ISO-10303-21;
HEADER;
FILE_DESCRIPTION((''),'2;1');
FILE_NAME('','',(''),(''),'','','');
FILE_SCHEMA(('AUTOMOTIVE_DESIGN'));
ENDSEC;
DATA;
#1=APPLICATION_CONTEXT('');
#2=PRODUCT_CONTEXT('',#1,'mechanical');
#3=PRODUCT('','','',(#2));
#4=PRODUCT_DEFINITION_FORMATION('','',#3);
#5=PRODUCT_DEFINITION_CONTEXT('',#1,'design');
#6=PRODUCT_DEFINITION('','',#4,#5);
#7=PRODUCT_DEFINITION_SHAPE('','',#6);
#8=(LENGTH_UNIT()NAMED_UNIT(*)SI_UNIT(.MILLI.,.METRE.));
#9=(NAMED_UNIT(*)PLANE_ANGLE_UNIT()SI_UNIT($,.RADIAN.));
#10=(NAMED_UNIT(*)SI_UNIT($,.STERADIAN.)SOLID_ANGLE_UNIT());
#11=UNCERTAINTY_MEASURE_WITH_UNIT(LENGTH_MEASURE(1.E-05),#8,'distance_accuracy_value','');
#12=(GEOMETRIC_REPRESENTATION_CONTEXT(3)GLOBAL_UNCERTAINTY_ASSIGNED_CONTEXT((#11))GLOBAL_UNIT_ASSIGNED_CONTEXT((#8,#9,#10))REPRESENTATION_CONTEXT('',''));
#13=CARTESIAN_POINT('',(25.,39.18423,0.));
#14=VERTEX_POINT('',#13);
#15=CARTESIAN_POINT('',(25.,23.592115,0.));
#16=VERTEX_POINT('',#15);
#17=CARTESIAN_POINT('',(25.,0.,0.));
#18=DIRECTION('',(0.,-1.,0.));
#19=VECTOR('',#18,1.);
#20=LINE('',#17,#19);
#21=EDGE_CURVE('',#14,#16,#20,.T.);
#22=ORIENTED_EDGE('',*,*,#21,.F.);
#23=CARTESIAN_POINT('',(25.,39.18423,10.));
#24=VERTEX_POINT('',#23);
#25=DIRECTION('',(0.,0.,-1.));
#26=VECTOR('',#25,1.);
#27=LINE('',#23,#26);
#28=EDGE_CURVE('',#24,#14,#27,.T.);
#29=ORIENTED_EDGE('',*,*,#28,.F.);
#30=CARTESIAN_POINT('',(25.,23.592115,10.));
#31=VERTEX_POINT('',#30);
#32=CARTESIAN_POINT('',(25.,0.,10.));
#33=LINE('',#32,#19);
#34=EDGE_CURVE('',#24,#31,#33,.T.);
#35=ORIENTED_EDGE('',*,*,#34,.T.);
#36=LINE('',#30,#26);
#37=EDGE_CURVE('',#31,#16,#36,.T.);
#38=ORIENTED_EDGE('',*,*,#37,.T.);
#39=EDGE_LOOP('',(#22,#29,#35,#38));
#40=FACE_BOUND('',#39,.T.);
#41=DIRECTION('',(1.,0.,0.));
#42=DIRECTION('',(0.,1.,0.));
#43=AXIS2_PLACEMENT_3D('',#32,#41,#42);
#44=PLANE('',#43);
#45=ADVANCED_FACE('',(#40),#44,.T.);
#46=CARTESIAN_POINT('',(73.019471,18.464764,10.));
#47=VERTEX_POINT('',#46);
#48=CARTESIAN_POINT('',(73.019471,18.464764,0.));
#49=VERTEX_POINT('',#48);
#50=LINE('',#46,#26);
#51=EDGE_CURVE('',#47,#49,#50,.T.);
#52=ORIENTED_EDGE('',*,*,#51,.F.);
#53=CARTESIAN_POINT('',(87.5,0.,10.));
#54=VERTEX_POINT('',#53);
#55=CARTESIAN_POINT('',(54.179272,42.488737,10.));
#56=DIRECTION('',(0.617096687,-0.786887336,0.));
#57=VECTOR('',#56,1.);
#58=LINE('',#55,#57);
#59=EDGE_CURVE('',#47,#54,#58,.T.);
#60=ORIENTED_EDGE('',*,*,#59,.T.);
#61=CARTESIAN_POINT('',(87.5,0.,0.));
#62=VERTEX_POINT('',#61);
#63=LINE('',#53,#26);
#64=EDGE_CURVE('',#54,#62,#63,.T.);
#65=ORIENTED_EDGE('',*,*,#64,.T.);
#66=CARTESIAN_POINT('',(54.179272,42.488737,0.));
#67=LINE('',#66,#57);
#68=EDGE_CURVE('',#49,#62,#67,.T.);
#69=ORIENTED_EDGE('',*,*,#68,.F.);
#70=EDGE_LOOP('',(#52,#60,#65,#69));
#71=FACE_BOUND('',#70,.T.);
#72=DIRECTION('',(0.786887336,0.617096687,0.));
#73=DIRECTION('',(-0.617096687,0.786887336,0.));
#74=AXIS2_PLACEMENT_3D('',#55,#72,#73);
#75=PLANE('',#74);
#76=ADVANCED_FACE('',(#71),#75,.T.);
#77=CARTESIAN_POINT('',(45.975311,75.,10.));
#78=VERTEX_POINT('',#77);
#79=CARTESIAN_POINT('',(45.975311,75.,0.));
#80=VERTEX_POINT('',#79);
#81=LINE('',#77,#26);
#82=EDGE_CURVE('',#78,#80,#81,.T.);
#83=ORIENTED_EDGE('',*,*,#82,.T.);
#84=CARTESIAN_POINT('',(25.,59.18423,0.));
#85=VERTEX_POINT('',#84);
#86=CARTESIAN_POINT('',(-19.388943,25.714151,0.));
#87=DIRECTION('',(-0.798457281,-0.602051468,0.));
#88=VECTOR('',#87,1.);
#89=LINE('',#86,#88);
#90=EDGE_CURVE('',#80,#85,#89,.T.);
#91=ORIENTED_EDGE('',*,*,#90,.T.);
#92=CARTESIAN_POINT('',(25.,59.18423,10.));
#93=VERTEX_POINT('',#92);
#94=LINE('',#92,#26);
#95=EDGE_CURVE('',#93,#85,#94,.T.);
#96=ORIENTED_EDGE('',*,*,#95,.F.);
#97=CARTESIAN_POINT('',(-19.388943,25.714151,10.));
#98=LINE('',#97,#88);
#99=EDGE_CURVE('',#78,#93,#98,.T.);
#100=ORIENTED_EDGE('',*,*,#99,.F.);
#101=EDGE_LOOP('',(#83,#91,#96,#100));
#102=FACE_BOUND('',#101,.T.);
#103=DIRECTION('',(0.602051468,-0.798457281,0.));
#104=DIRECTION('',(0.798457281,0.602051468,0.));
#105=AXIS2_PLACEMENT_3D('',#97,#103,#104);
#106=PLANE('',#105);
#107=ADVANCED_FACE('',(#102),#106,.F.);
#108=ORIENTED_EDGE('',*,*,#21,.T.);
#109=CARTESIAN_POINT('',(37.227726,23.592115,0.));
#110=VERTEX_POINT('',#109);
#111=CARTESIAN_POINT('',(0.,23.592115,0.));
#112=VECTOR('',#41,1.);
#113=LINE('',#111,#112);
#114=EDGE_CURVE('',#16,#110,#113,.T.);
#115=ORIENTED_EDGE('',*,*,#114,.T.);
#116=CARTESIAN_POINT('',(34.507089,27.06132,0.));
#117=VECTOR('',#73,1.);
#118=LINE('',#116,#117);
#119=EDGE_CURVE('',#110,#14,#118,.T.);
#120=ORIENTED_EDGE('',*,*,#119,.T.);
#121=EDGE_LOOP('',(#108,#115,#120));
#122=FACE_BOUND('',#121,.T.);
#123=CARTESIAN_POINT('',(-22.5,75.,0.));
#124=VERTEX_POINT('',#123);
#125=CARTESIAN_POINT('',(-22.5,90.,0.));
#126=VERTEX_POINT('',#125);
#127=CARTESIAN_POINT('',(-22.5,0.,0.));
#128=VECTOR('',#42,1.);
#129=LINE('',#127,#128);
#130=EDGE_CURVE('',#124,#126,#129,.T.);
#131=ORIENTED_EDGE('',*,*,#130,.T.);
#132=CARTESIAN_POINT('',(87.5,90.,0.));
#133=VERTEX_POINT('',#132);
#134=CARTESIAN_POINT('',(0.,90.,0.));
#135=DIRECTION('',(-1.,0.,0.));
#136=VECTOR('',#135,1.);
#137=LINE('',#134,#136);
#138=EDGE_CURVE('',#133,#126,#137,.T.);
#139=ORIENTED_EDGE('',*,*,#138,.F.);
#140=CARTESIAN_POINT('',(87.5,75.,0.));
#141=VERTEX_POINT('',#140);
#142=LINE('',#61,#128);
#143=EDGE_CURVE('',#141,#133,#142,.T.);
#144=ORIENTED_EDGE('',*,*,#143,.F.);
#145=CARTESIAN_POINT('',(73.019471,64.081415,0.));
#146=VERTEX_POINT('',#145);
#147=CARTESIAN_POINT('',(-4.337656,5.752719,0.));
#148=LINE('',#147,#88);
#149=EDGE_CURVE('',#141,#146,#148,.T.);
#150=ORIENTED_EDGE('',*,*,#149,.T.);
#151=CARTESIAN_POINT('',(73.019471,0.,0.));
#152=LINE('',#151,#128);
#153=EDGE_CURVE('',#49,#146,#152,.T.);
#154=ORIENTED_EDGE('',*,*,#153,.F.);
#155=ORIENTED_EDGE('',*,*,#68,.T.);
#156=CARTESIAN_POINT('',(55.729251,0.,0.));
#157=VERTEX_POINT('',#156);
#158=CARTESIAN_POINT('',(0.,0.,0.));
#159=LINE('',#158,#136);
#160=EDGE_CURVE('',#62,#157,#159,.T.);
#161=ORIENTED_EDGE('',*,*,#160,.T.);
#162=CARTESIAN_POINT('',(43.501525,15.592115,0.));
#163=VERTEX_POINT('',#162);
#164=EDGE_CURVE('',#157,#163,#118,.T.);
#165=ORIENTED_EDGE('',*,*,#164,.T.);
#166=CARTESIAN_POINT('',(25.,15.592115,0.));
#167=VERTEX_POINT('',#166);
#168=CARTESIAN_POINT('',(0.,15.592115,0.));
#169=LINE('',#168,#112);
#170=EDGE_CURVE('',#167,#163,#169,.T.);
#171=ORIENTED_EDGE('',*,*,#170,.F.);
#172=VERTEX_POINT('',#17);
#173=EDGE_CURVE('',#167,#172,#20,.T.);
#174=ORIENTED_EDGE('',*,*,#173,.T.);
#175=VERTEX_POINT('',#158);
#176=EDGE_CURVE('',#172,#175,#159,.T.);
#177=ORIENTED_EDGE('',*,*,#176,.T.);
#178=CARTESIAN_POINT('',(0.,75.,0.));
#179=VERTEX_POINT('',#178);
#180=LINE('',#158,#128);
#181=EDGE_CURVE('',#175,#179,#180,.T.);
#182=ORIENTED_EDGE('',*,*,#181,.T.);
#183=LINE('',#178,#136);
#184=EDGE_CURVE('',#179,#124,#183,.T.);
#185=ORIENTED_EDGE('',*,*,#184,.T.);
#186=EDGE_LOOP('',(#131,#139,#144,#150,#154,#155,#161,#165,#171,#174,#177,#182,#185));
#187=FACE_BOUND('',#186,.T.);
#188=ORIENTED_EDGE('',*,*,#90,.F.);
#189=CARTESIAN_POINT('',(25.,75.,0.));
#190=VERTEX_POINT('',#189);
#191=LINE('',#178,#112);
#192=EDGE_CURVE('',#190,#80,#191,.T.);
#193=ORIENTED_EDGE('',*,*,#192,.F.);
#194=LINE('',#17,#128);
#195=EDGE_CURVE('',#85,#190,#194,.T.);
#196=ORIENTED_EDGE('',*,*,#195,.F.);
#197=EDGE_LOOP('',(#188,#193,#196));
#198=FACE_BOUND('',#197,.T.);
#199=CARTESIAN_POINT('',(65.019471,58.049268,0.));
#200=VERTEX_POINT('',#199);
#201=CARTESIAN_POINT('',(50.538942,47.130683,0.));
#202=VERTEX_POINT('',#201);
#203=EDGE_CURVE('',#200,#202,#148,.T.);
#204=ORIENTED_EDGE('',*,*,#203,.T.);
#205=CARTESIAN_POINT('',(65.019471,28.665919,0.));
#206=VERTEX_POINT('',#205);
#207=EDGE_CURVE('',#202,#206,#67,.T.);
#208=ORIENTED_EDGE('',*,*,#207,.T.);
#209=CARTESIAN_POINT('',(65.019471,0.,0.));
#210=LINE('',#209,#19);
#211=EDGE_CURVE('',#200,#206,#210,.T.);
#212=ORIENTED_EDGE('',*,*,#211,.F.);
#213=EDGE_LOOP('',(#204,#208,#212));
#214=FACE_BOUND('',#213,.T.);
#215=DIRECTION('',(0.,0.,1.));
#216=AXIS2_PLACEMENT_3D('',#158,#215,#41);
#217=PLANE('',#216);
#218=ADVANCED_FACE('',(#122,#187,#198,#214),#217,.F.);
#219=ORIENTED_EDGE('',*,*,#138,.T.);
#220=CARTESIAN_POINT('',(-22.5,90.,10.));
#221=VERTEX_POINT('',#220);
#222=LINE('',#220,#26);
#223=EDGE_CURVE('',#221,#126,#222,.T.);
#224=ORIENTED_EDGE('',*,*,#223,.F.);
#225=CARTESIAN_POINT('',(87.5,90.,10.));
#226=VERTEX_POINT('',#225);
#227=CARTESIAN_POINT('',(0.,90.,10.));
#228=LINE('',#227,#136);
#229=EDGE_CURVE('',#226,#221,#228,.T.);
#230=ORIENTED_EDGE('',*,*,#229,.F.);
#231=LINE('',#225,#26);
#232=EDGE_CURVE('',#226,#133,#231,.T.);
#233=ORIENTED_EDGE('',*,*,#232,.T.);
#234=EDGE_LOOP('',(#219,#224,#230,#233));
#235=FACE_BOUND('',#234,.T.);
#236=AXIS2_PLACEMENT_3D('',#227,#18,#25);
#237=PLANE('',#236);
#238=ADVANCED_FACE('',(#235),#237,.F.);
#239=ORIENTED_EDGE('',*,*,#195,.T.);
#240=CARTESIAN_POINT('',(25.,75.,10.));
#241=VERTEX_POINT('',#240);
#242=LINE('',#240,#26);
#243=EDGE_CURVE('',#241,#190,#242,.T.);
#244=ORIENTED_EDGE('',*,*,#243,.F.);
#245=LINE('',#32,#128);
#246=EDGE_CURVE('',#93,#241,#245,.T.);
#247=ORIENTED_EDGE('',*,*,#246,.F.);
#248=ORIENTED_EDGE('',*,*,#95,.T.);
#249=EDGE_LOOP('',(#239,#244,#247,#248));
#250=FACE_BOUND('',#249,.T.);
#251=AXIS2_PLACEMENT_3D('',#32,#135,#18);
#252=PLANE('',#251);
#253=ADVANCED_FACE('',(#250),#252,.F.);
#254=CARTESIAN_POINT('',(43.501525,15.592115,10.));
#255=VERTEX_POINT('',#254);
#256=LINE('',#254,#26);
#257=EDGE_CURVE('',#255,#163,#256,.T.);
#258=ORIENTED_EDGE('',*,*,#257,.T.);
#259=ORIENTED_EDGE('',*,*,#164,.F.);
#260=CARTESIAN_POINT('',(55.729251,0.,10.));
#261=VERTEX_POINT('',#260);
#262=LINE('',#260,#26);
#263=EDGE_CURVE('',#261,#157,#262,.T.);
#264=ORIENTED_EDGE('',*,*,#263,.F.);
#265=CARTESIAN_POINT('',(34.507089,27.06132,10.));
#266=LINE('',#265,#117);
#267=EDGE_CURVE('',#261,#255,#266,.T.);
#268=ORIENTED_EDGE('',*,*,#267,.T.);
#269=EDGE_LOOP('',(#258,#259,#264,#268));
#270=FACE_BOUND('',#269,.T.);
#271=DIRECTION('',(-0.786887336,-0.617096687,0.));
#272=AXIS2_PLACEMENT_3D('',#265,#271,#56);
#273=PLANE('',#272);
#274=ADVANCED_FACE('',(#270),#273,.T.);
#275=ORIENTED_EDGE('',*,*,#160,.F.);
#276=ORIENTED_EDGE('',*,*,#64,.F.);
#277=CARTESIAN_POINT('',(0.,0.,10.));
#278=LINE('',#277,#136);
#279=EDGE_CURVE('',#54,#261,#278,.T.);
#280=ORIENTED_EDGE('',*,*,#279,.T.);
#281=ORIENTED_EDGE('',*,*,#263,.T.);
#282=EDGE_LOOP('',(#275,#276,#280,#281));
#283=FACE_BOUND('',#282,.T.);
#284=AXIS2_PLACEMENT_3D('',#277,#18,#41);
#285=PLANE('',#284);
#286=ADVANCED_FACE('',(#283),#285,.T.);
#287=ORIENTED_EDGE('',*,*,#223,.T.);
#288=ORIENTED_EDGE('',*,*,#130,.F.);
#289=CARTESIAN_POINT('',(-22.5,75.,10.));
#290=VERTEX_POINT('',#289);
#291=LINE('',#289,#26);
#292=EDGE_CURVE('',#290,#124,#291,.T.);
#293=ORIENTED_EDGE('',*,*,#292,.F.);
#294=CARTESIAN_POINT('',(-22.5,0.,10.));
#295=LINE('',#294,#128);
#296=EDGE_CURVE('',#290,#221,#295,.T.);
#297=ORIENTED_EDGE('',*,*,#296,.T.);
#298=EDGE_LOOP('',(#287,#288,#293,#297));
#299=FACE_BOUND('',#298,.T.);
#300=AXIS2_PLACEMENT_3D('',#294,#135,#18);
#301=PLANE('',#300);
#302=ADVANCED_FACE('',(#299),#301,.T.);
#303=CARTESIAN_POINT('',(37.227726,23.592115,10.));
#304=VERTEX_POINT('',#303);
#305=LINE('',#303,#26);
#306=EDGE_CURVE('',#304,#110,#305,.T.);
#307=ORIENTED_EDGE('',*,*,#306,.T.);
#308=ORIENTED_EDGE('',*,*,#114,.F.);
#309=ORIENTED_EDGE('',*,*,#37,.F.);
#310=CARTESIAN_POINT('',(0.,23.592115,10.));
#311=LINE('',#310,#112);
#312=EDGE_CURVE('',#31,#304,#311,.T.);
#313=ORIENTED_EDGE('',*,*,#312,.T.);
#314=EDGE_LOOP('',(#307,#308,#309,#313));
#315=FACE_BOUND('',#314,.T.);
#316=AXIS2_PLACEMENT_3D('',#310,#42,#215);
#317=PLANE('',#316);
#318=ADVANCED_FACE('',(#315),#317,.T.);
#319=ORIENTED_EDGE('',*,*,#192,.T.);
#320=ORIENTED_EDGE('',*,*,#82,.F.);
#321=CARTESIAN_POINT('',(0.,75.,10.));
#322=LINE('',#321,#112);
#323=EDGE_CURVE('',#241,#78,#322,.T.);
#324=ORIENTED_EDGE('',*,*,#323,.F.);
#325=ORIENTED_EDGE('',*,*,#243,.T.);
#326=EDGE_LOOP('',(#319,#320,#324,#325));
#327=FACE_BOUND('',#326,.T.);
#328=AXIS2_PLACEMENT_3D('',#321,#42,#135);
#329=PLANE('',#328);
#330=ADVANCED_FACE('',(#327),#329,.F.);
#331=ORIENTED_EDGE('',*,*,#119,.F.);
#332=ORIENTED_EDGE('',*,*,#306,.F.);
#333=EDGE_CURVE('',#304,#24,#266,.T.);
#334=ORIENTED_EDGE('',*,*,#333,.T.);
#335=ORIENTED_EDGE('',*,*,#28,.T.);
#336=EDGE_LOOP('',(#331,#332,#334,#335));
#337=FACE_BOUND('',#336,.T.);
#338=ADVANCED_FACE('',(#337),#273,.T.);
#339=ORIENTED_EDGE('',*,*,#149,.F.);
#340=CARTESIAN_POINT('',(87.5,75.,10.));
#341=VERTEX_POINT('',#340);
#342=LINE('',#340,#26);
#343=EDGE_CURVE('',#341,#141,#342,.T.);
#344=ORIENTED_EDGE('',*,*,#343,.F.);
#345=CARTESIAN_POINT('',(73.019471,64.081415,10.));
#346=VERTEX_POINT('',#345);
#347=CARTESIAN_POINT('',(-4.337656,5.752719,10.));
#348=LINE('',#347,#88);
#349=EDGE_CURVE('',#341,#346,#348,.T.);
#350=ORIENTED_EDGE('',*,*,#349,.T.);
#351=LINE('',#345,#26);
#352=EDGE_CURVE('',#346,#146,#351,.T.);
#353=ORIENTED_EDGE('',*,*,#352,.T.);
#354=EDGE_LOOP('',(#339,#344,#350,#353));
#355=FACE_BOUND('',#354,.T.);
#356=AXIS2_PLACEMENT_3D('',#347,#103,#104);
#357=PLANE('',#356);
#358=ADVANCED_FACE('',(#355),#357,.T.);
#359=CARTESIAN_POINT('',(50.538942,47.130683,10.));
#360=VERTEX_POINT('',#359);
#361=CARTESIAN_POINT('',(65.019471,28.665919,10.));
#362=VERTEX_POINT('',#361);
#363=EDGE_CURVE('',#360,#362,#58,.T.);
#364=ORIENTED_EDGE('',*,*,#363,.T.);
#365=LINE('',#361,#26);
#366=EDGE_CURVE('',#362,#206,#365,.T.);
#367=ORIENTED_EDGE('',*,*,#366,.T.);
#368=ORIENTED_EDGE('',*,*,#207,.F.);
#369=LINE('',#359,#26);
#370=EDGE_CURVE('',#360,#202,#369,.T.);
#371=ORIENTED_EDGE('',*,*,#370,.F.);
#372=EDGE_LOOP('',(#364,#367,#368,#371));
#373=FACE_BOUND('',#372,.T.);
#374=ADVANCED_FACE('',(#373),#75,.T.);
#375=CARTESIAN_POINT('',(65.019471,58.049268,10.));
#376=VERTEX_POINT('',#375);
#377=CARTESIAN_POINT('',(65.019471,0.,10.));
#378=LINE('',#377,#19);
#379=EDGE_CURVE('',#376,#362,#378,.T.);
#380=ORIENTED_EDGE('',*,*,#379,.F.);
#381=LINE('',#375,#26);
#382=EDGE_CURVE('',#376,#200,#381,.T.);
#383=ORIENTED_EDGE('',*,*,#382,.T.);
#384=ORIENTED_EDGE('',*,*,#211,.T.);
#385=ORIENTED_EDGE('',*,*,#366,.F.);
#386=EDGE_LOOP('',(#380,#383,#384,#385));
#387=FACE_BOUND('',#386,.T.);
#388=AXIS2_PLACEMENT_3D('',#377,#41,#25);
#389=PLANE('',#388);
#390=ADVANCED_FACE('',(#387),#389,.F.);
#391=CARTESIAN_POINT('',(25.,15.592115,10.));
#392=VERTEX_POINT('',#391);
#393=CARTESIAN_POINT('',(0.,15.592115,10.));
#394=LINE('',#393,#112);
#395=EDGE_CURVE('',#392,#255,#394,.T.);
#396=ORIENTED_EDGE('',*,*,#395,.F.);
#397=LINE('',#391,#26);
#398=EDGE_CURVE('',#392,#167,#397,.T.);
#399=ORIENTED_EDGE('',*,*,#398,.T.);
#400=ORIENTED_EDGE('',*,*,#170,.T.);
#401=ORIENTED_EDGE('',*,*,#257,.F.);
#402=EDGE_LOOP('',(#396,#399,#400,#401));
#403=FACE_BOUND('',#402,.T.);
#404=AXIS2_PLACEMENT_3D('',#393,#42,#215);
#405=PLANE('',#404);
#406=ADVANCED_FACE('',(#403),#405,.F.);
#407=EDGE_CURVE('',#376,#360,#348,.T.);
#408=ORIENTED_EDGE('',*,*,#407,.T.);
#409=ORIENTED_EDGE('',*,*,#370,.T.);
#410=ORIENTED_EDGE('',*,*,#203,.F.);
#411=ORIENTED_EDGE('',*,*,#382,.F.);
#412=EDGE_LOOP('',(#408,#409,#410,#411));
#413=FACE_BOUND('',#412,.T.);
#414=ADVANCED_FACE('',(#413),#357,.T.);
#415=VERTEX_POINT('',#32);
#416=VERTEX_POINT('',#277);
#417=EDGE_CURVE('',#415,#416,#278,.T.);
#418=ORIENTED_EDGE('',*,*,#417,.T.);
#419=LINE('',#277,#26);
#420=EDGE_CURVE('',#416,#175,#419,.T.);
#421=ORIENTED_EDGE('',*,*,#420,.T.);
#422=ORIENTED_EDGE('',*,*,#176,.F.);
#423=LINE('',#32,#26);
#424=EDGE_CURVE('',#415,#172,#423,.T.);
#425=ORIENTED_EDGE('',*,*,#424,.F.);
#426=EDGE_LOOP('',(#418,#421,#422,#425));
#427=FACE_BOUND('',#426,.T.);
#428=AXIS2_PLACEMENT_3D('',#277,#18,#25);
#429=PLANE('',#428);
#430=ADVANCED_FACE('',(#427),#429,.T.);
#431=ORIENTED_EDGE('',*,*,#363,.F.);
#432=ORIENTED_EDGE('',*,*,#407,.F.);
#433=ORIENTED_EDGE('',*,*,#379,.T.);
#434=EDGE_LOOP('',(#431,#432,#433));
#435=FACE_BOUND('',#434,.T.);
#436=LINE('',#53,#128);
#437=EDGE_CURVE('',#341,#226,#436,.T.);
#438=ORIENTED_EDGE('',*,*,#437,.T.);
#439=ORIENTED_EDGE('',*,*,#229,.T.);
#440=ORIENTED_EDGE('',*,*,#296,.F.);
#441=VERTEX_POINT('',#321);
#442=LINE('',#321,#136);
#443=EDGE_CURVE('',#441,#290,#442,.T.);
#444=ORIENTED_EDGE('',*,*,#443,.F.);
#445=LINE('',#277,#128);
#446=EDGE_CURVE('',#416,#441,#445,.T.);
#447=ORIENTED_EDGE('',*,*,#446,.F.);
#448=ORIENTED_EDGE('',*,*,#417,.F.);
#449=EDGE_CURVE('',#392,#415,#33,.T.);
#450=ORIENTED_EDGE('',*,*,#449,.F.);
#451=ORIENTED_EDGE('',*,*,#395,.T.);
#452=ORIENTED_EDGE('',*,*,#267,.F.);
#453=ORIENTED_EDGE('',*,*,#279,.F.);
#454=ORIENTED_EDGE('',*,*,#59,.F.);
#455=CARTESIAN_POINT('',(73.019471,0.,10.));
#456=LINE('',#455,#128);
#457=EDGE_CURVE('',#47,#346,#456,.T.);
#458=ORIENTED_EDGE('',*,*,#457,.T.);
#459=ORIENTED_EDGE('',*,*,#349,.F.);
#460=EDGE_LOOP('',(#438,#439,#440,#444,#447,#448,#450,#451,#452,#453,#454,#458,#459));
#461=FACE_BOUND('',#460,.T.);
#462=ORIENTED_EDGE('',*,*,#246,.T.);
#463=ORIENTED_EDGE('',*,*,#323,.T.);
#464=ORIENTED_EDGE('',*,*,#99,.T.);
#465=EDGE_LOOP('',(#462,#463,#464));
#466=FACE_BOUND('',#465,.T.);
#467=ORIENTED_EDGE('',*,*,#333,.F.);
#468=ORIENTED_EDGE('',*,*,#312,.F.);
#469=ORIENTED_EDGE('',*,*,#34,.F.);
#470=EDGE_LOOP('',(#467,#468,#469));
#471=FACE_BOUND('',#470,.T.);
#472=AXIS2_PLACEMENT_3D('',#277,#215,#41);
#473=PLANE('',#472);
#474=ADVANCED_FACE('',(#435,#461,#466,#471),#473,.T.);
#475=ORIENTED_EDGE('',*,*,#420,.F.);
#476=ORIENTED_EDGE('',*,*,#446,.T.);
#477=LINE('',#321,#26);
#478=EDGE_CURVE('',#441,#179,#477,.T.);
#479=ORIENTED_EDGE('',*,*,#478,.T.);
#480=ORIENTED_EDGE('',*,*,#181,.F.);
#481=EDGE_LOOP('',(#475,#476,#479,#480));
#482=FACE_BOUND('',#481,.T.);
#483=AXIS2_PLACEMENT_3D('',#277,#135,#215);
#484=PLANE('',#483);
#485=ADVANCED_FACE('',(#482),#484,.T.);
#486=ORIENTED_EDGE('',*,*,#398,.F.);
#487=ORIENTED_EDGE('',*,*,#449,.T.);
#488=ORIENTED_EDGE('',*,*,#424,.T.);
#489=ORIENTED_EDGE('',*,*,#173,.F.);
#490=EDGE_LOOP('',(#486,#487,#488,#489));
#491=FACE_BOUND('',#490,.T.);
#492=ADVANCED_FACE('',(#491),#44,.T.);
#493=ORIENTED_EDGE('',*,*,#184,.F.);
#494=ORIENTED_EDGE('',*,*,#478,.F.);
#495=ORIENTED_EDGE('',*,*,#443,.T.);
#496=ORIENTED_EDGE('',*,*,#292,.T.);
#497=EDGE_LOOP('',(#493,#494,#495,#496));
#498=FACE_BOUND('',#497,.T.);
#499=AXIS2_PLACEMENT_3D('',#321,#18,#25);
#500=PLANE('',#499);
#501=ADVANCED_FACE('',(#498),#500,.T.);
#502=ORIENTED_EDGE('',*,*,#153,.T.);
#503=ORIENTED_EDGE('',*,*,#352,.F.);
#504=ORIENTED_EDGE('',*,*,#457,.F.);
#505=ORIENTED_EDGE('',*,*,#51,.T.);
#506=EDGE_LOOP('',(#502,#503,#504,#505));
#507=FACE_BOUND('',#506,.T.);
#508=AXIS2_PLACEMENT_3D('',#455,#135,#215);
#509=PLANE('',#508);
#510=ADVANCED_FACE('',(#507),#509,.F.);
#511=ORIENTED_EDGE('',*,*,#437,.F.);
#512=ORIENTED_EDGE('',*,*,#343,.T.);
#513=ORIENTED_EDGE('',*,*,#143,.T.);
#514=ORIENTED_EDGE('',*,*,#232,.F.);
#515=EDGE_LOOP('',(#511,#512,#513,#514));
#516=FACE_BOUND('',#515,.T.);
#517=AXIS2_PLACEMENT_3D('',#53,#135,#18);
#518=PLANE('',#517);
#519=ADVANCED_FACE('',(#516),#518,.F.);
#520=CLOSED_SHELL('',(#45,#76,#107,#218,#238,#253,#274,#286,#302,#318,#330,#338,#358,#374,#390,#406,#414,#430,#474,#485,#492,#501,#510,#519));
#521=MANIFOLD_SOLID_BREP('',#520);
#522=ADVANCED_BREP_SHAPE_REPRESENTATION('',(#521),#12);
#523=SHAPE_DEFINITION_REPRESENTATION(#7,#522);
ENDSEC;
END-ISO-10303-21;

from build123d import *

# Parameters (mm, degrees)
BOSS_EXTRUDE1_DEPTH = 10


with BuildPart() as part:
    # Sketch1 → Boss-Extrude1 (new body)
    # profile 1 of 3: a face of its own
    with BuildSketch(Plane.XY):
        Polygon((87.5, 75), (87.5, 90), (-22.5, 90), (-22.5, 75), (0, 75), (0, 0), (25, 0), (25, 39.184229931), (55.729251038, 0), (87.5, 0), (50.538942191, 47.130682941), align=None)
        Polygon((45.975310969, 75), (25, 59.184229931), (25, 75), align=None, mode=Mode.SUBTRACT)
    # profile 2 of 3: a face of its own
    with BuildSketch(Plane.XY):
        Polygon((25, 23.592114965), (25, 15.592114965), (43.501525347, 15.592114965), (37.22772569, 23.592114965), align=None)
    # profile 3 of 3: a face of its own
    with BuildSketch(Plane.XY):
        Polygon((73.019471096, 18.464764189), (73.019471096, 64.081415004), (65.019471096, 58.049267937), (65.019471096, 28.665918752), align=None)
    extrude(amount=BOSS_EXTRUDE1_DEPTH)


solid = part.part
